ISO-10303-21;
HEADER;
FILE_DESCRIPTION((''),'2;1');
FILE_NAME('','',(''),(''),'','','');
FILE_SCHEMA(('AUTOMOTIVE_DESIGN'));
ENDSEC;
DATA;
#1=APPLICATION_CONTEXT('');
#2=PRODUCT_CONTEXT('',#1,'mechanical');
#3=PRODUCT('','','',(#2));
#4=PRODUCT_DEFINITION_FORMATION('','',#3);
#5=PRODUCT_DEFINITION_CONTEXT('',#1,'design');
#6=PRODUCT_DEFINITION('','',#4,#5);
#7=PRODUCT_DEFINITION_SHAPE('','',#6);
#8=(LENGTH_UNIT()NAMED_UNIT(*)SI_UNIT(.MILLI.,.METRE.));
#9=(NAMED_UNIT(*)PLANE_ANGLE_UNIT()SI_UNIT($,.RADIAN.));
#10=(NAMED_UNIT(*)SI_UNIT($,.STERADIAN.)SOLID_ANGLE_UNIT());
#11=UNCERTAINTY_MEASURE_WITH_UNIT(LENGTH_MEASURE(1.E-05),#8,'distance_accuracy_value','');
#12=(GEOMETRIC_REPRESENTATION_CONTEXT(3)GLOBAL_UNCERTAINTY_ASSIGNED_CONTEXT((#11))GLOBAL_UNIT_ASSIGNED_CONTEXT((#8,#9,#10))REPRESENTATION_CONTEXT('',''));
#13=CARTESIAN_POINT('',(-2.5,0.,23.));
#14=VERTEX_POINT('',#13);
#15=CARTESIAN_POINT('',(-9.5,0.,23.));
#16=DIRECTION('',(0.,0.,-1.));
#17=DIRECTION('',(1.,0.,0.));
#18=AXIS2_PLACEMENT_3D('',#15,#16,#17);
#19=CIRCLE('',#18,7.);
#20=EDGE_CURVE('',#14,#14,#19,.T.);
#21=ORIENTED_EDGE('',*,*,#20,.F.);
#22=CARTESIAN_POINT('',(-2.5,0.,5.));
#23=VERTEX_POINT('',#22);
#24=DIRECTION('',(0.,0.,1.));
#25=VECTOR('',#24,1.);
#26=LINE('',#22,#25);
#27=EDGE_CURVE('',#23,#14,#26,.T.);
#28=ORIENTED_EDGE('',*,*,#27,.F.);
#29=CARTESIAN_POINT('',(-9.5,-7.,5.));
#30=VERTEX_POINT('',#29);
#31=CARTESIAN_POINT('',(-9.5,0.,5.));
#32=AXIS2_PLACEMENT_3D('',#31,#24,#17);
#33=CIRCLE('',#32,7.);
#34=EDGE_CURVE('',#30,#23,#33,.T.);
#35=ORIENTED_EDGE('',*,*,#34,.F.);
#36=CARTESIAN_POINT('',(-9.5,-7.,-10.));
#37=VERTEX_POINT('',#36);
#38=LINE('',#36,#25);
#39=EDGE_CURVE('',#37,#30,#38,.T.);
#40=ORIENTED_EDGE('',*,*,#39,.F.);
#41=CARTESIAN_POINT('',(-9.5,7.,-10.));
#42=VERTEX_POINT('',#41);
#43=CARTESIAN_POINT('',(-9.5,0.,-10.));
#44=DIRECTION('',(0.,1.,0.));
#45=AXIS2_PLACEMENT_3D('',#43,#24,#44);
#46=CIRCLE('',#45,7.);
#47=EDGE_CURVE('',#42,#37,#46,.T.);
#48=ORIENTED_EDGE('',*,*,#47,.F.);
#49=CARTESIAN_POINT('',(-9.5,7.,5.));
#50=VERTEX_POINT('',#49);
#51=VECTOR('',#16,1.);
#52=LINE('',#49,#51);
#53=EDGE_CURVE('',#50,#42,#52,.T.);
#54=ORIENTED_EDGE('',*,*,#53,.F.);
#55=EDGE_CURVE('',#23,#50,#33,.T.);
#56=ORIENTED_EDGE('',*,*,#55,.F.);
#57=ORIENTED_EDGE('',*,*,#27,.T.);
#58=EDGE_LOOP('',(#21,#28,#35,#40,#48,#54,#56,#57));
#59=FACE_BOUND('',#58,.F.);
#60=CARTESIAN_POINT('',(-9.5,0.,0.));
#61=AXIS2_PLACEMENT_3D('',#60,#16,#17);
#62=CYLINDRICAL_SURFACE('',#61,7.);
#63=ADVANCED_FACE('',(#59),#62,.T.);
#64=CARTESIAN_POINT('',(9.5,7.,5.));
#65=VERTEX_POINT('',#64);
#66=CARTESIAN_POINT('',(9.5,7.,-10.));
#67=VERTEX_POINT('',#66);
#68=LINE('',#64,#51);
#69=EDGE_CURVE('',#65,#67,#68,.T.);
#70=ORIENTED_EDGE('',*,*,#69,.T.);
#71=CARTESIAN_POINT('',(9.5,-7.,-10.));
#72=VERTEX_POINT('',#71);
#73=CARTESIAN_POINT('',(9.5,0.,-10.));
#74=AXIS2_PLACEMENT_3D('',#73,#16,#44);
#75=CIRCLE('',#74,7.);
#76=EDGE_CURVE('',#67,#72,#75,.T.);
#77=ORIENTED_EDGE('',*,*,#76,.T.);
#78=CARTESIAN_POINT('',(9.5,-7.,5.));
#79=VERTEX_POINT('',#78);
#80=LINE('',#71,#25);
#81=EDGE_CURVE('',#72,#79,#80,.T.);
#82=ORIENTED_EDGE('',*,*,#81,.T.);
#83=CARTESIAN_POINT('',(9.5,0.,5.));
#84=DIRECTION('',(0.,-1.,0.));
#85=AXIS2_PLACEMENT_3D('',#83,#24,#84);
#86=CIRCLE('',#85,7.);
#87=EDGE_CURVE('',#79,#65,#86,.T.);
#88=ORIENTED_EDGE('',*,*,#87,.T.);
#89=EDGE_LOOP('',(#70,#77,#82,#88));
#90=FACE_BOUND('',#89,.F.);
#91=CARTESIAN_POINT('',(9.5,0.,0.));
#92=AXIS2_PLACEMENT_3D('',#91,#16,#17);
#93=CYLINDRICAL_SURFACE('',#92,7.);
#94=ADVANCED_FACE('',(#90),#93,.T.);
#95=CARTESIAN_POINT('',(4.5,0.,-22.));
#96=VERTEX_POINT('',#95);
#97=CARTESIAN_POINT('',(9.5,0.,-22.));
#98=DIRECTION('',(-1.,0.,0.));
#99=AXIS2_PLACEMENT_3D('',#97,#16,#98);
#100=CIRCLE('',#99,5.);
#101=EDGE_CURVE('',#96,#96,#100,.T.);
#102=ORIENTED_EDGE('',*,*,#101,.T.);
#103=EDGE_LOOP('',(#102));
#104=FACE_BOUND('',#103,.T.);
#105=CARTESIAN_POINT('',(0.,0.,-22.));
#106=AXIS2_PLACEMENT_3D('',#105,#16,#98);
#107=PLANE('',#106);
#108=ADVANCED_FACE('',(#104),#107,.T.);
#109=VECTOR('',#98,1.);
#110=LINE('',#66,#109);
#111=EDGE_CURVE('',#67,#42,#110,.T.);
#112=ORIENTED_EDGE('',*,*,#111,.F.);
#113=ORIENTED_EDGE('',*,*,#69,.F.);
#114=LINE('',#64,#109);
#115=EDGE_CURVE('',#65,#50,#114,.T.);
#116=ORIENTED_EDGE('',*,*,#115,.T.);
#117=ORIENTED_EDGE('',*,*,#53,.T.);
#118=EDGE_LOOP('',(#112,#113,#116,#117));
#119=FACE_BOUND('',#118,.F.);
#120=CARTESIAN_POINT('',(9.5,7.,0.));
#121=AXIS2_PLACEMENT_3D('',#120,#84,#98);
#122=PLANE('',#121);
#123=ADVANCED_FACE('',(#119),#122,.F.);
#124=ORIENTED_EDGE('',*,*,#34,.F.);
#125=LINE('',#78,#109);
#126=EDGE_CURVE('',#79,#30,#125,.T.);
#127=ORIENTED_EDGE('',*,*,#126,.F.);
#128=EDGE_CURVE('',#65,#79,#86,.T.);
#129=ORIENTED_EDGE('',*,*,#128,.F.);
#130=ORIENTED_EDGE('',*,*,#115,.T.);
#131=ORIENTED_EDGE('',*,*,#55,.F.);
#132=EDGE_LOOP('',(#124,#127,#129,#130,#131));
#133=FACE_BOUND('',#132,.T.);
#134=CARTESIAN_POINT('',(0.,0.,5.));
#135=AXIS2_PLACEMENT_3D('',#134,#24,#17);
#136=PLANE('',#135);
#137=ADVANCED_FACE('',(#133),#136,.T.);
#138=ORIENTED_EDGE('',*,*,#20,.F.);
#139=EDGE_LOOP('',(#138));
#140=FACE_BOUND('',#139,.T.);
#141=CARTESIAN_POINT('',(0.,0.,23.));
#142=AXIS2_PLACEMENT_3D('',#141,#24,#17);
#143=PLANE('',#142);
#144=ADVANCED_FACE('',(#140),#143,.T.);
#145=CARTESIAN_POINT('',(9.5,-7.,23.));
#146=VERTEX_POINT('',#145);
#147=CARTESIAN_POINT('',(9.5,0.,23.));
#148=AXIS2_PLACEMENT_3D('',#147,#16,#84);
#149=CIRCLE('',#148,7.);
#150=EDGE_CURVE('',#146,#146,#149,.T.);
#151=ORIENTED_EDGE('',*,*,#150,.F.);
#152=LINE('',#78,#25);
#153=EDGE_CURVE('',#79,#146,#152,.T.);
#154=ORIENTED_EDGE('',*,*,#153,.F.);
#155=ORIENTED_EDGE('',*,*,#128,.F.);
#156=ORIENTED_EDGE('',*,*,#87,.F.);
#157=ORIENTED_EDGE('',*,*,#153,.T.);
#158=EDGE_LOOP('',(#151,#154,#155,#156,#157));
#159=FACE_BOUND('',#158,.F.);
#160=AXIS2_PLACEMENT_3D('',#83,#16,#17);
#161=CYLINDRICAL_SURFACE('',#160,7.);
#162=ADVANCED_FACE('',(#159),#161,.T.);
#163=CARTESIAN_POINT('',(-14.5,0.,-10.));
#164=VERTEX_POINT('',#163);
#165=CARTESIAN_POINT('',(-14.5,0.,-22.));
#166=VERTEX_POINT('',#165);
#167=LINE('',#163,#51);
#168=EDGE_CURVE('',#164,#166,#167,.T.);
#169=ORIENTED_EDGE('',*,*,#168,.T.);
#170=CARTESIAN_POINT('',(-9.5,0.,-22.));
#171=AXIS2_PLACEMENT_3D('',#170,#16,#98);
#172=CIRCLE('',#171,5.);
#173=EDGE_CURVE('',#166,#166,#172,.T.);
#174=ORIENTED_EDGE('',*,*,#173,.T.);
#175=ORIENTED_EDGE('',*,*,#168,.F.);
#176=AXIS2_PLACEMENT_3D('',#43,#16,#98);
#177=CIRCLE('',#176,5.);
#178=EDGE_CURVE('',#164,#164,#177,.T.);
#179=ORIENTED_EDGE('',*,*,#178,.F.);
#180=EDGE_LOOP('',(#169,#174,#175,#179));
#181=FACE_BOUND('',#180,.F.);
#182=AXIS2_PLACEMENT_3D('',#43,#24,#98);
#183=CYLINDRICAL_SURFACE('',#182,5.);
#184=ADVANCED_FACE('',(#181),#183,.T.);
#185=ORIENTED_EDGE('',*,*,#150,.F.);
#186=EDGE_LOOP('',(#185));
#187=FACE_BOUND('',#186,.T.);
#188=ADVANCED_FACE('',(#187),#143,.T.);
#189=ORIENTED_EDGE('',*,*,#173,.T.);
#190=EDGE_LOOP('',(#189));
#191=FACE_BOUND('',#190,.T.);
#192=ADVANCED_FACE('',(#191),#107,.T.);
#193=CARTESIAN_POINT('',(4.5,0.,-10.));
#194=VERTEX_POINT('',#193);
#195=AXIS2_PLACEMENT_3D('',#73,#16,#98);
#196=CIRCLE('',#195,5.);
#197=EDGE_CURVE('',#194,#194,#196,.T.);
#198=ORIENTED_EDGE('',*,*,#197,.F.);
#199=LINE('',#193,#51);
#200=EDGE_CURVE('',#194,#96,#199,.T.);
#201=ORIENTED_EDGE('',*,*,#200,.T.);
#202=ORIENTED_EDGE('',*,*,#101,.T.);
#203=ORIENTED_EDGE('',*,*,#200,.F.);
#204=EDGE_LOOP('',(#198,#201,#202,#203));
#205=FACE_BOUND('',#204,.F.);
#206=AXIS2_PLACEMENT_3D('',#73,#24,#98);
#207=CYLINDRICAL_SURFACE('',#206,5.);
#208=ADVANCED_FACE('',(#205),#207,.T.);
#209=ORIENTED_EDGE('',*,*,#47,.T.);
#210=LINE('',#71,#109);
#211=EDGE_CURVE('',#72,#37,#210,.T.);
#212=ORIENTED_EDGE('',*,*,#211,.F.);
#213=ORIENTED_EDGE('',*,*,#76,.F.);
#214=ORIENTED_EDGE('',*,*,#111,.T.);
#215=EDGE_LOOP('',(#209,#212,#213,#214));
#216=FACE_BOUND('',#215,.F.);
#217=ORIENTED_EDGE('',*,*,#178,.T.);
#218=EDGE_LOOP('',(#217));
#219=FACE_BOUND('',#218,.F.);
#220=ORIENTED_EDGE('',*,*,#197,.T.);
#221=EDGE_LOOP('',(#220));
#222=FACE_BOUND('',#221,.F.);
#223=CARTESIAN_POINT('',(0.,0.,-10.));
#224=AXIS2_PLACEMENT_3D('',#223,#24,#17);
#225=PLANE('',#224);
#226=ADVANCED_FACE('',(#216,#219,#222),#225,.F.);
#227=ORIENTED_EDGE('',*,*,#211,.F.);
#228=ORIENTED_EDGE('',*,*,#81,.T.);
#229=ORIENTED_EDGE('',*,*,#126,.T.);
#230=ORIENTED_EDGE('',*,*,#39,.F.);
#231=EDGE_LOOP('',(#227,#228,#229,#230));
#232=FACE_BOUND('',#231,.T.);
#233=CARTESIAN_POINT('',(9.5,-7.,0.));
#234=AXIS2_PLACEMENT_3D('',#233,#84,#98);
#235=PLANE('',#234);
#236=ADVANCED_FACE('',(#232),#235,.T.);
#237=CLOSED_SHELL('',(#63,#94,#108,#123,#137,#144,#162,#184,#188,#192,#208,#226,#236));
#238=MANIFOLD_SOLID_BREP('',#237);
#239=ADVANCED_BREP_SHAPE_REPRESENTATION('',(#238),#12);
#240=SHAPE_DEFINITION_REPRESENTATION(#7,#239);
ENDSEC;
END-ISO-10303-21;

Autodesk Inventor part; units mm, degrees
ref_plane "YZ Plane" through (0, 0, 0) normal (1, 0, 0) x (0, 1, 0)
ref_plane "XZ Plane" through (0, 0, 0) normal (0, 1, 0) x (-1, 0, 0)
ref_plane "XY Plane" through (0, 0, 0) normal (0, 0, 1) x (1, 0, 0)
sketch "Эскиз1" plane through (0, 0, 0) normal (0, 0, 1) x (1, 0, 0)
  circle A0 centre (-9.5, 0) radius 7
  circle A1 centre (9.5, 0) radius 7
  line L0 (16.5, 0) -> (-16.5, 0)
  line L1 (9.5, -7) -> (-9.5, -7)
  line L2 (9.5, 7) -> (-9.5, 7)
  point P0 (0, 0)
  point P1 (0, 0)
  dimension "d0" = 14
  dimension "d1" = 14
  dimension "d2" = 33
extrude "Выдавливание1" add sketch "Эскиз1" along normal blind 5 and the other way blind 10
sketch "Эскиз2" plane through (0, 0, 5) normal (0, 0, 1) x (1, 0, 0)
  arc A0 (9.5, -7) -> (9.5, 7) centre (9.5, 0) ccw projected
  circle A1 centre (9.5, 0) radius 7
  arc A2 (-9.5, 7) -> (-9.5, -7) centre (-9.5, 0) ccw projected
  circle A3 centre (-9.5, 0) radius 7
  point P0 (0, 0)
  point P1 (-9.5, -7)
extrude "Выдавливание2" add sketch "Эскиз2" along normal blind 18
sketch "Эскиз3" plane through (0, 0, -10) normal (0, 0, -1) x (-1, 0, 0)
  arc A0 (9.5, -7) -> (9.5, 7) centre (9.5, 0) ccw projected
  circle A1 centre (9.5, 0) radius 5
  arc A2 (-9.5, 7) -> (-9.5, -7) centre (-9.5, 0) ccw projected
  circle A3 centre (-9.5, 0) radius 5
  point P0 (0, 0)
  dimension "d9" = 10
  dimension "d10" = 10
extrude "Выдавливание3" add sketch "Эскиз3" along normal blind 12
ref_plane "РабПлоскость1" through (-90.9653, 8.5, 0) normal (0, 0, 1) x (1, 0, 0)
sketch "Эскиз4" plane through (-90.9653, 8.5, 0) normal (0, 0, 1) x (1, 0, 0)
  circle A0 centre (100.4653, -8.5) radius 7 projected
  circle A1 centre (81.4653, -8.5) radius 7 projected
  arc A2 (100.4653, -15.5) -> (100.4653, -1.5) centre (100.4653, -8.5) ccw projected
  arc A3 (81.4653, -1.5) -> (81.4653, -15.5) centre (81.4653, -8.5) ccw projected
  line L0 (100.4653, -8.5) -> (81.4653, -8.5)
  line L1 (90.9653, -8.5) -> (90.9653, 7)
  line L2 (90.9653, -8.5) -> (70, -8.5)
properties part number "banana plug"
